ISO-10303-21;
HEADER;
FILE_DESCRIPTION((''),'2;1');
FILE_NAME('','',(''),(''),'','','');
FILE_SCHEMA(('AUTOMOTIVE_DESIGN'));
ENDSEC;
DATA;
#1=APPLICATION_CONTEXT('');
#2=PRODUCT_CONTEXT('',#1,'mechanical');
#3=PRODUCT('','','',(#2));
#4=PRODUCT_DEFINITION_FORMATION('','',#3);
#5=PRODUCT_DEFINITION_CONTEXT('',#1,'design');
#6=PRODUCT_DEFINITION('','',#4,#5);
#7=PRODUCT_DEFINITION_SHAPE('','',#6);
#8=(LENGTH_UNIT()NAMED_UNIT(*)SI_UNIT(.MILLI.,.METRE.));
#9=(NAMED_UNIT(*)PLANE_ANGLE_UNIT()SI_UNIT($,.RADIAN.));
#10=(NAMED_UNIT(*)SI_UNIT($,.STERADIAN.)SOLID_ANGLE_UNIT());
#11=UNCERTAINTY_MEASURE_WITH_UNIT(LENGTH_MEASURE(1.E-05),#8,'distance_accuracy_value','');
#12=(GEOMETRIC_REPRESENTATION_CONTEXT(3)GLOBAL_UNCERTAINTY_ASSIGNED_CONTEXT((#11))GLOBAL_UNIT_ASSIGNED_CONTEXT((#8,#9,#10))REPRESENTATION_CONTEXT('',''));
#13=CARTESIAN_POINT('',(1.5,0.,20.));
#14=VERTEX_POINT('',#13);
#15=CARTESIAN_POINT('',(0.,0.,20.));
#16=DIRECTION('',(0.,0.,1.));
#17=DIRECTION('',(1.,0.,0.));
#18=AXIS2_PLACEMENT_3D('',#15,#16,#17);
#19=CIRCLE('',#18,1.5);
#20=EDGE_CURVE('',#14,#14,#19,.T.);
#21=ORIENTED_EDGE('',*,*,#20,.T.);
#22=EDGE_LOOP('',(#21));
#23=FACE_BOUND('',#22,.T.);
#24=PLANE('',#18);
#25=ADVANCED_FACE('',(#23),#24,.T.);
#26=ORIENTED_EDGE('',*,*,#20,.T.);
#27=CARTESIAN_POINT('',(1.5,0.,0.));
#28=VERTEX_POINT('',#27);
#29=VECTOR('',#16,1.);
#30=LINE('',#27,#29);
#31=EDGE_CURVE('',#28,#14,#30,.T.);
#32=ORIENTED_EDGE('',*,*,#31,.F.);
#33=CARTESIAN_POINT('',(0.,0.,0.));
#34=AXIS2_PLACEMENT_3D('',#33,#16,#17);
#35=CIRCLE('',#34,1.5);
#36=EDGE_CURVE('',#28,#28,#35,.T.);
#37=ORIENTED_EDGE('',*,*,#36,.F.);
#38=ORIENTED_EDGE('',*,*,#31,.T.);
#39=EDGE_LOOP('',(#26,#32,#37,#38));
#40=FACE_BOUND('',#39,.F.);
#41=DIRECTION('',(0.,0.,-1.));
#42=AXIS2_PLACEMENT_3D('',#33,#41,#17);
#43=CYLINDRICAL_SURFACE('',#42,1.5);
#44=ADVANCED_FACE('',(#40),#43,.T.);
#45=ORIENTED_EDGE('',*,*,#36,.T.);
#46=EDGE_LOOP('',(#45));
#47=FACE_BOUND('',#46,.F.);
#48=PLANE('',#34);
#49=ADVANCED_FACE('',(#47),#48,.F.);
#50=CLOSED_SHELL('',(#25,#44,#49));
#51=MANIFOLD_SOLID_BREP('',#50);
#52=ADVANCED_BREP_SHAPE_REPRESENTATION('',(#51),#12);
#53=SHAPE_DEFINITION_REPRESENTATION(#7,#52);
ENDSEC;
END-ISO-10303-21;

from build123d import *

# Parameters (mm, degrees)
SKETCH_R  = 1.5
PAD_DEPTH = 20


with BuildPart() as part:
    # Sketch → Pad (new body)
    with BuildSketch(Plane.XY):
        Circle(SKETCH_R)
    extrude(amount=PAD_DEPTH)


solid = part.part
